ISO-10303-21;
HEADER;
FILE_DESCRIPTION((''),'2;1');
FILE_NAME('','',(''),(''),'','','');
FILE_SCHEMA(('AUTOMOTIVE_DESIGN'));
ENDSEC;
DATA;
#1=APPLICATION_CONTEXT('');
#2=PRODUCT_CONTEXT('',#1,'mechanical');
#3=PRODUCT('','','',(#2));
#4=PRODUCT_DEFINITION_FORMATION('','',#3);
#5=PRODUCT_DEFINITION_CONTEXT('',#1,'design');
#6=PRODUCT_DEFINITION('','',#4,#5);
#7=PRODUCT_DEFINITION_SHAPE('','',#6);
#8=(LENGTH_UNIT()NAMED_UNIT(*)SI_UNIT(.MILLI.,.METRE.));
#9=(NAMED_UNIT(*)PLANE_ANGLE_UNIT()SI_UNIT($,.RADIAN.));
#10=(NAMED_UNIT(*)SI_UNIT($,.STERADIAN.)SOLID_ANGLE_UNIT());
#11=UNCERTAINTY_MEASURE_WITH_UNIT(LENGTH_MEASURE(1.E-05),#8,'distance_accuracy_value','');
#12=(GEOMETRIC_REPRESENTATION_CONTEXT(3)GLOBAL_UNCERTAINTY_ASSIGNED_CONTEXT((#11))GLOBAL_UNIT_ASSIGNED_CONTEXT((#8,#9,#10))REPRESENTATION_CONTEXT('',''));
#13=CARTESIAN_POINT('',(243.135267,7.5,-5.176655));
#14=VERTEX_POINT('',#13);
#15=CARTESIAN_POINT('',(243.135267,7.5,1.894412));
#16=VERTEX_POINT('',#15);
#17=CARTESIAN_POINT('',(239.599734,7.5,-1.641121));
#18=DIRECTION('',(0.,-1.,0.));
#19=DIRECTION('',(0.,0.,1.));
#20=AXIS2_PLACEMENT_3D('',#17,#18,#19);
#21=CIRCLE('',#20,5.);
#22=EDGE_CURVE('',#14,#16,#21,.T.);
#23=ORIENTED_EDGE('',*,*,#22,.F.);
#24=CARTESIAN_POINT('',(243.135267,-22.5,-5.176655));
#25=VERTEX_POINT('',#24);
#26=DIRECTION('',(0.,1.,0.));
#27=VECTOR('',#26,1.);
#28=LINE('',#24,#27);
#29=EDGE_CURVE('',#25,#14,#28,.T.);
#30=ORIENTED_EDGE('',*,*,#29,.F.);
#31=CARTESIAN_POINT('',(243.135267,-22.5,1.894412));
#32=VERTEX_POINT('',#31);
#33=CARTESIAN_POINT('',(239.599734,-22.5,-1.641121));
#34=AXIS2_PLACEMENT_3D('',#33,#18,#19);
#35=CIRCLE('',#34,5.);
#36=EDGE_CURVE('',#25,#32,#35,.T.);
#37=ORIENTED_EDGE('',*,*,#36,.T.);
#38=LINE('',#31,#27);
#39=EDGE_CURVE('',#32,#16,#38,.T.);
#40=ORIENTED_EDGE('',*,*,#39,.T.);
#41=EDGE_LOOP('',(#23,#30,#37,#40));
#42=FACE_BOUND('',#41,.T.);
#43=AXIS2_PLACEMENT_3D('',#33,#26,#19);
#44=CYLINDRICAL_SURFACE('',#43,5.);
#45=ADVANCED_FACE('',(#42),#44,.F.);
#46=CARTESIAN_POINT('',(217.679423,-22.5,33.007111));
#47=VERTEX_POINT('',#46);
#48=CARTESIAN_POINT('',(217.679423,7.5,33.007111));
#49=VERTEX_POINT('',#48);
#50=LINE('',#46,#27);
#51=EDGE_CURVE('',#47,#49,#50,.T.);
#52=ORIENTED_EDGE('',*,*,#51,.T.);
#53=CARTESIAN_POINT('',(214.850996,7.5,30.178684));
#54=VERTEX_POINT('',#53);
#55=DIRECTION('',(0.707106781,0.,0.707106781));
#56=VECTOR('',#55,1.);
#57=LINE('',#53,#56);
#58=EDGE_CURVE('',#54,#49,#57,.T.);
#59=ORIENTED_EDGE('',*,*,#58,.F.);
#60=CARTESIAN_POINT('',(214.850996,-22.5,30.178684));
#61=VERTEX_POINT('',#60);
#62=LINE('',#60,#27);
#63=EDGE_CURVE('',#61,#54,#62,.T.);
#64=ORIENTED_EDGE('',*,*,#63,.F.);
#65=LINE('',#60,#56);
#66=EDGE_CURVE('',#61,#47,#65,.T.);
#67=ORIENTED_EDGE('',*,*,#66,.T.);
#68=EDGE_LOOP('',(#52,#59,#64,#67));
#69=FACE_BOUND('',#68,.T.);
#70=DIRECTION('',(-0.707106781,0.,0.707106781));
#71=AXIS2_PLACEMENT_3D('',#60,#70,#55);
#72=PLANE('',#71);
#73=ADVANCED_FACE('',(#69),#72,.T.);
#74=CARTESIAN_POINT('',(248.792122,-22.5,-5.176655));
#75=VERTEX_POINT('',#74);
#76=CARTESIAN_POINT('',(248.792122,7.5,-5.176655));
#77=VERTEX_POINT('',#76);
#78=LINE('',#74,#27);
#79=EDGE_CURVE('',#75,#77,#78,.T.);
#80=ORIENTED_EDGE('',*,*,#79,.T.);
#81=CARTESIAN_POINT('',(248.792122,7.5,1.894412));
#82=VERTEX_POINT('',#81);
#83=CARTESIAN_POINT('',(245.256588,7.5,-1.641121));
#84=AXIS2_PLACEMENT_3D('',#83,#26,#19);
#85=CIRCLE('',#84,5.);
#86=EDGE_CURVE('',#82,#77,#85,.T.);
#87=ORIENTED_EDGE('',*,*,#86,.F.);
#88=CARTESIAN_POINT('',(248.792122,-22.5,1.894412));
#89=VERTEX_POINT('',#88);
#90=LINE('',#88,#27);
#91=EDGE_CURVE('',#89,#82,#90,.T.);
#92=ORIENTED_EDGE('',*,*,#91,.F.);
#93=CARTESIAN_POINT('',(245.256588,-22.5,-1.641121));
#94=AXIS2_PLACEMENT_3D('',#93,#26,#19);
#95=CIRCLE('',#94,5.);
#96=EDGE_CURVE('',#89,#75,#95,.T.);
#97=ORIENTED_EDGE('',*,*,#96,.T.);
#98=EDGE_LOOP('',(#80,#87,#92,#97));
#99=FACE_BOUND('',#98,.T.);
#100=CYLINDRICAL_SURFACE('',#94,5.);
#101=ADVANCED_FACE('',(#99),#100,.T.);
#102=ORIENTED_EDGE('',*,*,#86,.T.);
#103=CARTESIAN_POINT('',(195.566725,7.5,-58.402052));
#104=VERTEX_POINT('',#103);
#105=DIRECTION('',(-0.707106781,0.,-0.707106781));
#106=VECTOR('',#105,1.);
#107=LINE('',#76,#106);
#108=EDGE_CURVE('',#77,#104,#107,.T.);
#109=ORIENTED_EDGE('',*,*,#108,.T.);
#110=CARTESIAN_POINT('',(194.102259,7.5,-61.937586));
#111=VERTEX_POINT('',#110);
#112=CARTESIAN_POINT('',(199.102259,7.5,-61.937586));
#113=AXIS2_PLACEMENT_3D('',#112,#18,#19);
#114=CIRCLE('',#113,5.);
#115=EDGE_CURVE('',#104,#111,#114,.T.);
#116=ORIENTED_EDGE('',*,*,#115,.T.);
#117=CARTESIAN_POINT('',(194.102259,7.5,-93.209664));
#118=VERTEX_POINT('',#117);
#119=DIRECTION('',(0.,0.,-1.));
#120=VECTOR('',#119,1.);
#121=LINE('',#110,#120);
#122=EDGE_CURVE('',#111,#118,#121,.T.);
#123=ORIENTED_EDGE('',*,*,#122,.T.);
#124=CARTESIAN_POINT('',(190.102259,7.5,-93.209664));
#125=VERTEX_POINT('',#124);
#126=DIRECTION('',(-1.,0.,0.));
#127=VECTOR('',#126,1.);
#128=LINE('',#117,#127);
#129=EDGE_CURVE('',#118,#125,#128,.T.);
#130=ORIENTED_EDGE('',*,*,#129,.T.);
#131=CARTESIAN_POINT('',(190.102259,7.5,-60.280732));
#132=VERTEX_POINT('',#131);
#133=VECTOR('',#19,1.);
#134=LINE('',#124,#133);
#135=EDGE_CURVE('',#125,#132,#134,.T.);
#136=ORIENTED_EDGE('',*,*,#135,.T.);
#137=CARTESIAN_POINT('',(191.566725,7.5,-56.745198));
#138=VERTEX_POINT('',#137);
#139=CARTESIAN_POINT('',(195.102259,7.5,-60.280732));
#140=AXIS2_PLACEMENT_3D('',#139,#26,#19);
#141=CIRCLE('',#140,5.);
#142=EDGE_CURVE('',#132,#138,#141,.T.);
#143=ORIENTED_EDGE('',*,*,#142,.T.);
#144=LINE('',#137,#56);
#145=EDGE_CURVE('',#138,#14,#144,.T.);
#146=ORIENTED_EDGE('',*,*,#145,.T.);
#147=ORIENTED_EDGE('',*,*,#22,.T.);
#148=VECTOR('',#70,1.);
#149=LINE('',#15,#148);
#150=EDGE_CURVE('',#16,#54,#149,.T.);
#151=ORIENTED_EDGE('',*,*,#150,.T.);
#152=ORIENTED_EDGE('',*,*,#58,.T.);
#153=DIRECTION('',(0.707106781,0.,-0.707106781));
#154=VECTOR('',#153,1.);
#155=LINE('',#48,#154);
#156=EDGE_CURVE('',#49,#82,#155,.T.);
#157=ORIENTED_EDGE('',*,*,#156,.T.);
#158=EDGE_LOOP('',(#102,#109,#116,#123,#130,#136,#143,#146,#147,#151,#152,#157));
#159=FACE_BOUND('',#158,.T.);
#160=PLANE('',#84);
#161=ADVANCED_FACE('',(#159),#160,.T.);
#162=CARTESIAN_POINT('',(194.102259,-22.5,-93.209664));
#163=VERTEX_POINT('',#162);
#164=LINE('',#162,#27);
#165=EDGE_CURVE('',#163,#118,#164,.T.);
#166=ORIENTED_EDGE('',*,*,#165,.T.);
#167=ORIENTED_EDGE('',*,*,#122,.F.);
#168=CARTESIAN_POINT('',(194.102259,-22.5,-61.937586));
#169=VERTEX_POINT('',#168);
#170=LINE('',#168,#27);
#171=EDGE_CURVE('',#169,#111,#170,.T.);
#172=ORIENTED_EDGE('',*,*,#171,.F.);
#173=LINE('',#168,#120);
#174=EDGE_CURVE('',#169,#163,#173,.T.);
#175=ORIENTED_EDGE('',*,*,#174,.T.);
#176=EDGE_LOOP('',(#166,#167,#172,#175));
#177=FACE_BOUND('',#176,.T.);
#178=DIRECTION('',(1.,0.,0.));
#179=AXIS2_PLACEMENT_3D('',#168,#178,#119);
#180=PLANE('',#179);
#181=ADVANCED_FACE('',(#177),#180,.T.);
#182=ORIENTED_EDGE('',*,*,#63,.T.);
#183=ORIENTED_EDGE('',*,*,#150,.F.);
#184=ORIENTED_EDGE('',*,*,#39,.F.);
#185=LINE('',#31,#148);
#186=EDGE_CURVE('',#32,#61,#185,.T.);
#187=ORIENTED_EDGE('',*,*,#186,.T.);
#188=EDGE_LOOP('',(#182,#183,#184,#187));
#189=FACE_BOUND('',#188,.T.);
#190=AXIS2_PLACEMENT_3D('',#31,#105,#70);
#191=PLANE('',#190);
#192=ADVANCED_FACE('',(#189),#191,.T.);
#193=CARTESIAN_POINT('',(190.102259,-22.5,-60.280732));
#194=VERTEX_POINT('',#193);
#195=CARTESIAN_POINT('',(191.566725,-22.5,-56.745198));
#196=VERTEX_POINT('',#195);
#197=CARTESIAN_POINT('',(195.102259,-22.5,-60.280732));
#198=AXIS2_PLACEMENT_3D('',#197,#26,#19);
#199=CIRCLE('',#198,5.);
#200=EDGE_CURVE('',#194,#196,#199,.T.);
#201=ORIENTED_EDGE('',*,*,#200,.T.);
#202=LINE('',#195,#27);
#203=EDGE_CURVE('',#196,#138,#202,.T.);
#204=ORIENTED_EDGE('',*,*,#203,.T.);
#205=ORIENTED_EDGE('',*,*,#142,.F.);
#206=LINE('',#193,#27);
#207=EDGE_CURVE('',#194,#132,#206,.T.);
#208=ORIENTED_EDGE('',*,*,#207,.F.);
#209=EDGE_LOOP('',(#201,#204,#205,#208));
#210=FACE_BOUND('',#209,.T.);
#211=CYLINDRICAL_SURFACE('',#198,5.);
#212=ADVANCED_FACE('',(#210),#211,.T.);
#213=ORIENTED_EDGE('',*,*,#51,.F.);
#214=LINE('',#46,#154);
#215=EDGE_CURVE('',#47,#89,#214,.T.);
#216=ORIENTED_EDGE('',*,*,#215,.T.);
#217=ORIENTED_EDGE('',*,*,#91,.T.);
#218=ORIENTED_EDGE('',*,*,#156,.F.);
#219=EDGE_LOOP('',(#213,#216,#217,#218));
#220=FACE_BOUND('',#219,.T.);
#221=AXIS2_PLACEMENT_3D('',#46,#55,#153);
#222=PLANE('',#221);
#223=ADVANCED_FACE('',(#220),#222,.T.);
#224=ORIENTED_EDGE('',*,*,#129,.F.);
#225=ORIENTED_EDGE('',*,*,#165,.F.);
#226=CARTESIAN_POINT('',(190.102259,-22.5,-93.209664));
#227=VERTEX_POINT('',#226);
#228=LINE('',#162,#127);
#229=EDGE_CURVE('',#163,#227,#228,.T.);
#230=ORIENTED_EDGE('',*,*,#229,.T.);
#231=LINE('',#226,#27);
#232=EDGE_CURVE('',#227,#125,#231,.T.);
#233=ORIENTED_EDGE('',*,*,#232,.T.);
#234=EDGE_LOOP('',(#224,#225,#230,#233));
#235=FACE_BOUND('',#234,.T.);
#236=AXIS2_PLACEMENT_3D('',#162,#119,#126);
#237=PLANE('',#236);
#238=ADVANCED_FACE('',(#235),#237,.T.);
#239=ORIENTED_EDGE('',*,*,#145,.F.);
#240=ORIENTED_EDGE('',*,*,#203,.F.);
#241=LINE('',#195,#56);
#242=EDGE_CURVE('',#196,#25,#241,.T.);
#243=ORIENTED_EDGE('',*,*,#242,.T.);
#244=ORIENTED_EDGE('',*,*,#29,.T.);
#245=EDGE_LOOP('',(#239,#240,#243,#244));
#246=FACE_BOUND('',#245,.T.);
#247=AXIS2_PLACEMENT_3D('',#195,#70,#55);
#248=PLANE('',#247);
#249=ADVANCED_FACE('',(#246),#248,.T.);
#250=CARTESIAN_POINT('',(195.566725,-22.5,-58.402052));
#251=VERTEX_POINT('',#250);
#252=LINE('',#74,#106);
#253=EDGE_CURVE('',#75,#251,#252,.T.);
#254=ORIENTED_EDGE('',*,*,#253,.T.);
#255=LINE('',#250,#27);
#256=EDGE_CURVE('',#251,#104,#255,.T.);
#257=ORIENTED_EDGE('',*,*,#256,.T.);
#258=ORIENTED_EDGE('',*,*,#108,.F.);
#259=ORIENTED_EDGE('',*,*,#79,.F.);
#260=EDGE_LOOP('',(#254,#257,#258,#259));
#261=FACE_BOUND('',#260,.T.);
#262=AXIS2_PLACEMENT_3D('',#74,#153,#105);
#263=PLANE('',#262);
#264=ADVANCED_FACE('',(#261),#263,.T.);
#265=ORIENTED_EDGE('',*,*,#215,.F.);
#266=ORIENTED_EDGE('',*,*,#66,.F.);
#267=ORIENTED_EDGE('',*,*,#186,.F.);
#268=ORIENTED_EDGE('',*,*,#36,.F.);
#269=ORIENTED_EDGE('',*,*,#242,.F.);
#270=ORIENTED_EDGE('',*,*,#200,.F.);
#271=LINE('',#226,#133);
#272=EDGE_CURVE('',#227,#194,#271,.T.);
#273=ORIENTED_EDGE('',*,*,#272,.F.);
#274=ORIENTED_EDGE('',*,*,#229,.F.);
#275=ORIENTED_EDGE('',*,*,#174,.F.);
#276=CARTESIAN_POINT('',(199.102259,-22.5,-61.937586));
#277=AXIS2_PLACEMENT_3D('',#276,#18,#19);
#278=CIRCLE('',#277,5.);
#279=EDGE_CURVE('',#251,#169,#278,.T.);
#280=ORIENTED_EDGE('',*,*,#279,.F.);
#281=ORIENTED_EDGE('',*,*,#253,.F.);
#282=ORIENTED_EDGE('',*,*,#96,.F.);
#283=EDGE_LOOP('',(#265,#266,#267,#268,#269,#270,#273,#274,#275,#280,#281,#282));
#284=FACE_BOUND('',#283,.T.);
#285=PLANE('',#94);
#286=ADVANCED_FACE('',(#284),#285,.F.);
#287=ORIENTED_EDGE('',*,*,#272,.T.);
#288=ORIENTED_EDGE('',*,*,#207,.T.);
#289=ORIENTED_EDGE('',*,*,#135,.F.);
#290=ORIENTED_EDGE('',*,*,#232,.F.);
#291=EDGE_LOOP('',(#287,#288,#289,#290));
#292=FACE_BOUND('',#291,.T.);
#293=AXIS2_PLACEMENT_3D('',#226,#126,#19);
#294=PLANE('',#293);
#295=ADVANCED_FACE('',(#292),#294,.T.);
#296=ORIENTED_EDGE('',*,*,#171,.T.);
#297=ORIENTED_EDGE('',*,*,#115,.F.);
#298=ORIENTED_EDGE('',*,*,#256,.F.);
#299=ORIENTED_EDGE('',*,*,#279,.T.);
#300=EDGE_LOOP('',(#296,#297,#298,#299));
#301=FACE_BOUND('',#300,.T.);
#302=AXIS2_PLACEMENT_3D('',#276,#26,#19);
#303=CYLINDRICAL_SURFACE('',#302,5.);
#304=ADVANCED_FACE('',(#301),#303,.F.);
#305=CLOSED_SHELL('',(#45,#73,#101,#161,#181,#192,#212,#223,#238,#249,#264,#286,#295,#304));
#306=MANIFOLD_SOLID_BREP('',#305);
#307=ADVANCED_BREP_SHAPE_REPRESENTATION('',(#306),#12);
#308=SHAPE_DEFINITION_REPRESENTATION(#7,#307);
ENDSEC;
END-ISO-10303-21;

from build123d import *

# Parameters (mm, degrees)
BOSS_EXTRUDE1_DEPTH = 30


with BuildPart() as part:
    # Sketch1 → Boss-Extrude1 (new body)
    with BuildSketch(Plane(origin=(0, 7.5, 0), x_dir=(1, 0, 0), z_dir=(0, 1, 0))):
        with BuildLine():
            Line((248.792121733, 5.17665535), (195.566724989, 58.402052094))
            ThreePointArc((195.566724989, 58.402052094), (194.482861232, 60.024168838), (194.102258895, 61.937586))
            Line((194.102258895, 61.937586), (194.102258895, 93.209663939))
            Line((194.102258895, 93.209663939), (190.102258895, 93.209663939))
            Line((190.102258895, 93.209663939), (190.102258895, 60.280731751))
            ThreePointArc((190.102258895, 60.280731751), (190.482861232, 58.367314589), (191.566724989, 56.745197845))
            Line((191.566724989, 56.745197845), (243.135267484, 5.17665535))
            ThreePointArc((243.135267484, 5.17665535), (244.599733578, 1.641121444), (243.135267484, -1.894412462))
            Line((243.135267484, -1.894412462), (214.850996236, -30.178683709))
            Line((214.850996236, -30.178683709), (217.679423361, -33.007110834))
            Line((217.679423361, -33.007110834), (248.792121733, -1.894412462))
            ThreePointArc((248.792121733, -1.894412462), (250.256587827, 1.641121444), (248.792121733, 5.17665535))
        make_face()
    extrude(amount=-BOSS_EXTRUDE1_DEPTH)


solid = part.part
